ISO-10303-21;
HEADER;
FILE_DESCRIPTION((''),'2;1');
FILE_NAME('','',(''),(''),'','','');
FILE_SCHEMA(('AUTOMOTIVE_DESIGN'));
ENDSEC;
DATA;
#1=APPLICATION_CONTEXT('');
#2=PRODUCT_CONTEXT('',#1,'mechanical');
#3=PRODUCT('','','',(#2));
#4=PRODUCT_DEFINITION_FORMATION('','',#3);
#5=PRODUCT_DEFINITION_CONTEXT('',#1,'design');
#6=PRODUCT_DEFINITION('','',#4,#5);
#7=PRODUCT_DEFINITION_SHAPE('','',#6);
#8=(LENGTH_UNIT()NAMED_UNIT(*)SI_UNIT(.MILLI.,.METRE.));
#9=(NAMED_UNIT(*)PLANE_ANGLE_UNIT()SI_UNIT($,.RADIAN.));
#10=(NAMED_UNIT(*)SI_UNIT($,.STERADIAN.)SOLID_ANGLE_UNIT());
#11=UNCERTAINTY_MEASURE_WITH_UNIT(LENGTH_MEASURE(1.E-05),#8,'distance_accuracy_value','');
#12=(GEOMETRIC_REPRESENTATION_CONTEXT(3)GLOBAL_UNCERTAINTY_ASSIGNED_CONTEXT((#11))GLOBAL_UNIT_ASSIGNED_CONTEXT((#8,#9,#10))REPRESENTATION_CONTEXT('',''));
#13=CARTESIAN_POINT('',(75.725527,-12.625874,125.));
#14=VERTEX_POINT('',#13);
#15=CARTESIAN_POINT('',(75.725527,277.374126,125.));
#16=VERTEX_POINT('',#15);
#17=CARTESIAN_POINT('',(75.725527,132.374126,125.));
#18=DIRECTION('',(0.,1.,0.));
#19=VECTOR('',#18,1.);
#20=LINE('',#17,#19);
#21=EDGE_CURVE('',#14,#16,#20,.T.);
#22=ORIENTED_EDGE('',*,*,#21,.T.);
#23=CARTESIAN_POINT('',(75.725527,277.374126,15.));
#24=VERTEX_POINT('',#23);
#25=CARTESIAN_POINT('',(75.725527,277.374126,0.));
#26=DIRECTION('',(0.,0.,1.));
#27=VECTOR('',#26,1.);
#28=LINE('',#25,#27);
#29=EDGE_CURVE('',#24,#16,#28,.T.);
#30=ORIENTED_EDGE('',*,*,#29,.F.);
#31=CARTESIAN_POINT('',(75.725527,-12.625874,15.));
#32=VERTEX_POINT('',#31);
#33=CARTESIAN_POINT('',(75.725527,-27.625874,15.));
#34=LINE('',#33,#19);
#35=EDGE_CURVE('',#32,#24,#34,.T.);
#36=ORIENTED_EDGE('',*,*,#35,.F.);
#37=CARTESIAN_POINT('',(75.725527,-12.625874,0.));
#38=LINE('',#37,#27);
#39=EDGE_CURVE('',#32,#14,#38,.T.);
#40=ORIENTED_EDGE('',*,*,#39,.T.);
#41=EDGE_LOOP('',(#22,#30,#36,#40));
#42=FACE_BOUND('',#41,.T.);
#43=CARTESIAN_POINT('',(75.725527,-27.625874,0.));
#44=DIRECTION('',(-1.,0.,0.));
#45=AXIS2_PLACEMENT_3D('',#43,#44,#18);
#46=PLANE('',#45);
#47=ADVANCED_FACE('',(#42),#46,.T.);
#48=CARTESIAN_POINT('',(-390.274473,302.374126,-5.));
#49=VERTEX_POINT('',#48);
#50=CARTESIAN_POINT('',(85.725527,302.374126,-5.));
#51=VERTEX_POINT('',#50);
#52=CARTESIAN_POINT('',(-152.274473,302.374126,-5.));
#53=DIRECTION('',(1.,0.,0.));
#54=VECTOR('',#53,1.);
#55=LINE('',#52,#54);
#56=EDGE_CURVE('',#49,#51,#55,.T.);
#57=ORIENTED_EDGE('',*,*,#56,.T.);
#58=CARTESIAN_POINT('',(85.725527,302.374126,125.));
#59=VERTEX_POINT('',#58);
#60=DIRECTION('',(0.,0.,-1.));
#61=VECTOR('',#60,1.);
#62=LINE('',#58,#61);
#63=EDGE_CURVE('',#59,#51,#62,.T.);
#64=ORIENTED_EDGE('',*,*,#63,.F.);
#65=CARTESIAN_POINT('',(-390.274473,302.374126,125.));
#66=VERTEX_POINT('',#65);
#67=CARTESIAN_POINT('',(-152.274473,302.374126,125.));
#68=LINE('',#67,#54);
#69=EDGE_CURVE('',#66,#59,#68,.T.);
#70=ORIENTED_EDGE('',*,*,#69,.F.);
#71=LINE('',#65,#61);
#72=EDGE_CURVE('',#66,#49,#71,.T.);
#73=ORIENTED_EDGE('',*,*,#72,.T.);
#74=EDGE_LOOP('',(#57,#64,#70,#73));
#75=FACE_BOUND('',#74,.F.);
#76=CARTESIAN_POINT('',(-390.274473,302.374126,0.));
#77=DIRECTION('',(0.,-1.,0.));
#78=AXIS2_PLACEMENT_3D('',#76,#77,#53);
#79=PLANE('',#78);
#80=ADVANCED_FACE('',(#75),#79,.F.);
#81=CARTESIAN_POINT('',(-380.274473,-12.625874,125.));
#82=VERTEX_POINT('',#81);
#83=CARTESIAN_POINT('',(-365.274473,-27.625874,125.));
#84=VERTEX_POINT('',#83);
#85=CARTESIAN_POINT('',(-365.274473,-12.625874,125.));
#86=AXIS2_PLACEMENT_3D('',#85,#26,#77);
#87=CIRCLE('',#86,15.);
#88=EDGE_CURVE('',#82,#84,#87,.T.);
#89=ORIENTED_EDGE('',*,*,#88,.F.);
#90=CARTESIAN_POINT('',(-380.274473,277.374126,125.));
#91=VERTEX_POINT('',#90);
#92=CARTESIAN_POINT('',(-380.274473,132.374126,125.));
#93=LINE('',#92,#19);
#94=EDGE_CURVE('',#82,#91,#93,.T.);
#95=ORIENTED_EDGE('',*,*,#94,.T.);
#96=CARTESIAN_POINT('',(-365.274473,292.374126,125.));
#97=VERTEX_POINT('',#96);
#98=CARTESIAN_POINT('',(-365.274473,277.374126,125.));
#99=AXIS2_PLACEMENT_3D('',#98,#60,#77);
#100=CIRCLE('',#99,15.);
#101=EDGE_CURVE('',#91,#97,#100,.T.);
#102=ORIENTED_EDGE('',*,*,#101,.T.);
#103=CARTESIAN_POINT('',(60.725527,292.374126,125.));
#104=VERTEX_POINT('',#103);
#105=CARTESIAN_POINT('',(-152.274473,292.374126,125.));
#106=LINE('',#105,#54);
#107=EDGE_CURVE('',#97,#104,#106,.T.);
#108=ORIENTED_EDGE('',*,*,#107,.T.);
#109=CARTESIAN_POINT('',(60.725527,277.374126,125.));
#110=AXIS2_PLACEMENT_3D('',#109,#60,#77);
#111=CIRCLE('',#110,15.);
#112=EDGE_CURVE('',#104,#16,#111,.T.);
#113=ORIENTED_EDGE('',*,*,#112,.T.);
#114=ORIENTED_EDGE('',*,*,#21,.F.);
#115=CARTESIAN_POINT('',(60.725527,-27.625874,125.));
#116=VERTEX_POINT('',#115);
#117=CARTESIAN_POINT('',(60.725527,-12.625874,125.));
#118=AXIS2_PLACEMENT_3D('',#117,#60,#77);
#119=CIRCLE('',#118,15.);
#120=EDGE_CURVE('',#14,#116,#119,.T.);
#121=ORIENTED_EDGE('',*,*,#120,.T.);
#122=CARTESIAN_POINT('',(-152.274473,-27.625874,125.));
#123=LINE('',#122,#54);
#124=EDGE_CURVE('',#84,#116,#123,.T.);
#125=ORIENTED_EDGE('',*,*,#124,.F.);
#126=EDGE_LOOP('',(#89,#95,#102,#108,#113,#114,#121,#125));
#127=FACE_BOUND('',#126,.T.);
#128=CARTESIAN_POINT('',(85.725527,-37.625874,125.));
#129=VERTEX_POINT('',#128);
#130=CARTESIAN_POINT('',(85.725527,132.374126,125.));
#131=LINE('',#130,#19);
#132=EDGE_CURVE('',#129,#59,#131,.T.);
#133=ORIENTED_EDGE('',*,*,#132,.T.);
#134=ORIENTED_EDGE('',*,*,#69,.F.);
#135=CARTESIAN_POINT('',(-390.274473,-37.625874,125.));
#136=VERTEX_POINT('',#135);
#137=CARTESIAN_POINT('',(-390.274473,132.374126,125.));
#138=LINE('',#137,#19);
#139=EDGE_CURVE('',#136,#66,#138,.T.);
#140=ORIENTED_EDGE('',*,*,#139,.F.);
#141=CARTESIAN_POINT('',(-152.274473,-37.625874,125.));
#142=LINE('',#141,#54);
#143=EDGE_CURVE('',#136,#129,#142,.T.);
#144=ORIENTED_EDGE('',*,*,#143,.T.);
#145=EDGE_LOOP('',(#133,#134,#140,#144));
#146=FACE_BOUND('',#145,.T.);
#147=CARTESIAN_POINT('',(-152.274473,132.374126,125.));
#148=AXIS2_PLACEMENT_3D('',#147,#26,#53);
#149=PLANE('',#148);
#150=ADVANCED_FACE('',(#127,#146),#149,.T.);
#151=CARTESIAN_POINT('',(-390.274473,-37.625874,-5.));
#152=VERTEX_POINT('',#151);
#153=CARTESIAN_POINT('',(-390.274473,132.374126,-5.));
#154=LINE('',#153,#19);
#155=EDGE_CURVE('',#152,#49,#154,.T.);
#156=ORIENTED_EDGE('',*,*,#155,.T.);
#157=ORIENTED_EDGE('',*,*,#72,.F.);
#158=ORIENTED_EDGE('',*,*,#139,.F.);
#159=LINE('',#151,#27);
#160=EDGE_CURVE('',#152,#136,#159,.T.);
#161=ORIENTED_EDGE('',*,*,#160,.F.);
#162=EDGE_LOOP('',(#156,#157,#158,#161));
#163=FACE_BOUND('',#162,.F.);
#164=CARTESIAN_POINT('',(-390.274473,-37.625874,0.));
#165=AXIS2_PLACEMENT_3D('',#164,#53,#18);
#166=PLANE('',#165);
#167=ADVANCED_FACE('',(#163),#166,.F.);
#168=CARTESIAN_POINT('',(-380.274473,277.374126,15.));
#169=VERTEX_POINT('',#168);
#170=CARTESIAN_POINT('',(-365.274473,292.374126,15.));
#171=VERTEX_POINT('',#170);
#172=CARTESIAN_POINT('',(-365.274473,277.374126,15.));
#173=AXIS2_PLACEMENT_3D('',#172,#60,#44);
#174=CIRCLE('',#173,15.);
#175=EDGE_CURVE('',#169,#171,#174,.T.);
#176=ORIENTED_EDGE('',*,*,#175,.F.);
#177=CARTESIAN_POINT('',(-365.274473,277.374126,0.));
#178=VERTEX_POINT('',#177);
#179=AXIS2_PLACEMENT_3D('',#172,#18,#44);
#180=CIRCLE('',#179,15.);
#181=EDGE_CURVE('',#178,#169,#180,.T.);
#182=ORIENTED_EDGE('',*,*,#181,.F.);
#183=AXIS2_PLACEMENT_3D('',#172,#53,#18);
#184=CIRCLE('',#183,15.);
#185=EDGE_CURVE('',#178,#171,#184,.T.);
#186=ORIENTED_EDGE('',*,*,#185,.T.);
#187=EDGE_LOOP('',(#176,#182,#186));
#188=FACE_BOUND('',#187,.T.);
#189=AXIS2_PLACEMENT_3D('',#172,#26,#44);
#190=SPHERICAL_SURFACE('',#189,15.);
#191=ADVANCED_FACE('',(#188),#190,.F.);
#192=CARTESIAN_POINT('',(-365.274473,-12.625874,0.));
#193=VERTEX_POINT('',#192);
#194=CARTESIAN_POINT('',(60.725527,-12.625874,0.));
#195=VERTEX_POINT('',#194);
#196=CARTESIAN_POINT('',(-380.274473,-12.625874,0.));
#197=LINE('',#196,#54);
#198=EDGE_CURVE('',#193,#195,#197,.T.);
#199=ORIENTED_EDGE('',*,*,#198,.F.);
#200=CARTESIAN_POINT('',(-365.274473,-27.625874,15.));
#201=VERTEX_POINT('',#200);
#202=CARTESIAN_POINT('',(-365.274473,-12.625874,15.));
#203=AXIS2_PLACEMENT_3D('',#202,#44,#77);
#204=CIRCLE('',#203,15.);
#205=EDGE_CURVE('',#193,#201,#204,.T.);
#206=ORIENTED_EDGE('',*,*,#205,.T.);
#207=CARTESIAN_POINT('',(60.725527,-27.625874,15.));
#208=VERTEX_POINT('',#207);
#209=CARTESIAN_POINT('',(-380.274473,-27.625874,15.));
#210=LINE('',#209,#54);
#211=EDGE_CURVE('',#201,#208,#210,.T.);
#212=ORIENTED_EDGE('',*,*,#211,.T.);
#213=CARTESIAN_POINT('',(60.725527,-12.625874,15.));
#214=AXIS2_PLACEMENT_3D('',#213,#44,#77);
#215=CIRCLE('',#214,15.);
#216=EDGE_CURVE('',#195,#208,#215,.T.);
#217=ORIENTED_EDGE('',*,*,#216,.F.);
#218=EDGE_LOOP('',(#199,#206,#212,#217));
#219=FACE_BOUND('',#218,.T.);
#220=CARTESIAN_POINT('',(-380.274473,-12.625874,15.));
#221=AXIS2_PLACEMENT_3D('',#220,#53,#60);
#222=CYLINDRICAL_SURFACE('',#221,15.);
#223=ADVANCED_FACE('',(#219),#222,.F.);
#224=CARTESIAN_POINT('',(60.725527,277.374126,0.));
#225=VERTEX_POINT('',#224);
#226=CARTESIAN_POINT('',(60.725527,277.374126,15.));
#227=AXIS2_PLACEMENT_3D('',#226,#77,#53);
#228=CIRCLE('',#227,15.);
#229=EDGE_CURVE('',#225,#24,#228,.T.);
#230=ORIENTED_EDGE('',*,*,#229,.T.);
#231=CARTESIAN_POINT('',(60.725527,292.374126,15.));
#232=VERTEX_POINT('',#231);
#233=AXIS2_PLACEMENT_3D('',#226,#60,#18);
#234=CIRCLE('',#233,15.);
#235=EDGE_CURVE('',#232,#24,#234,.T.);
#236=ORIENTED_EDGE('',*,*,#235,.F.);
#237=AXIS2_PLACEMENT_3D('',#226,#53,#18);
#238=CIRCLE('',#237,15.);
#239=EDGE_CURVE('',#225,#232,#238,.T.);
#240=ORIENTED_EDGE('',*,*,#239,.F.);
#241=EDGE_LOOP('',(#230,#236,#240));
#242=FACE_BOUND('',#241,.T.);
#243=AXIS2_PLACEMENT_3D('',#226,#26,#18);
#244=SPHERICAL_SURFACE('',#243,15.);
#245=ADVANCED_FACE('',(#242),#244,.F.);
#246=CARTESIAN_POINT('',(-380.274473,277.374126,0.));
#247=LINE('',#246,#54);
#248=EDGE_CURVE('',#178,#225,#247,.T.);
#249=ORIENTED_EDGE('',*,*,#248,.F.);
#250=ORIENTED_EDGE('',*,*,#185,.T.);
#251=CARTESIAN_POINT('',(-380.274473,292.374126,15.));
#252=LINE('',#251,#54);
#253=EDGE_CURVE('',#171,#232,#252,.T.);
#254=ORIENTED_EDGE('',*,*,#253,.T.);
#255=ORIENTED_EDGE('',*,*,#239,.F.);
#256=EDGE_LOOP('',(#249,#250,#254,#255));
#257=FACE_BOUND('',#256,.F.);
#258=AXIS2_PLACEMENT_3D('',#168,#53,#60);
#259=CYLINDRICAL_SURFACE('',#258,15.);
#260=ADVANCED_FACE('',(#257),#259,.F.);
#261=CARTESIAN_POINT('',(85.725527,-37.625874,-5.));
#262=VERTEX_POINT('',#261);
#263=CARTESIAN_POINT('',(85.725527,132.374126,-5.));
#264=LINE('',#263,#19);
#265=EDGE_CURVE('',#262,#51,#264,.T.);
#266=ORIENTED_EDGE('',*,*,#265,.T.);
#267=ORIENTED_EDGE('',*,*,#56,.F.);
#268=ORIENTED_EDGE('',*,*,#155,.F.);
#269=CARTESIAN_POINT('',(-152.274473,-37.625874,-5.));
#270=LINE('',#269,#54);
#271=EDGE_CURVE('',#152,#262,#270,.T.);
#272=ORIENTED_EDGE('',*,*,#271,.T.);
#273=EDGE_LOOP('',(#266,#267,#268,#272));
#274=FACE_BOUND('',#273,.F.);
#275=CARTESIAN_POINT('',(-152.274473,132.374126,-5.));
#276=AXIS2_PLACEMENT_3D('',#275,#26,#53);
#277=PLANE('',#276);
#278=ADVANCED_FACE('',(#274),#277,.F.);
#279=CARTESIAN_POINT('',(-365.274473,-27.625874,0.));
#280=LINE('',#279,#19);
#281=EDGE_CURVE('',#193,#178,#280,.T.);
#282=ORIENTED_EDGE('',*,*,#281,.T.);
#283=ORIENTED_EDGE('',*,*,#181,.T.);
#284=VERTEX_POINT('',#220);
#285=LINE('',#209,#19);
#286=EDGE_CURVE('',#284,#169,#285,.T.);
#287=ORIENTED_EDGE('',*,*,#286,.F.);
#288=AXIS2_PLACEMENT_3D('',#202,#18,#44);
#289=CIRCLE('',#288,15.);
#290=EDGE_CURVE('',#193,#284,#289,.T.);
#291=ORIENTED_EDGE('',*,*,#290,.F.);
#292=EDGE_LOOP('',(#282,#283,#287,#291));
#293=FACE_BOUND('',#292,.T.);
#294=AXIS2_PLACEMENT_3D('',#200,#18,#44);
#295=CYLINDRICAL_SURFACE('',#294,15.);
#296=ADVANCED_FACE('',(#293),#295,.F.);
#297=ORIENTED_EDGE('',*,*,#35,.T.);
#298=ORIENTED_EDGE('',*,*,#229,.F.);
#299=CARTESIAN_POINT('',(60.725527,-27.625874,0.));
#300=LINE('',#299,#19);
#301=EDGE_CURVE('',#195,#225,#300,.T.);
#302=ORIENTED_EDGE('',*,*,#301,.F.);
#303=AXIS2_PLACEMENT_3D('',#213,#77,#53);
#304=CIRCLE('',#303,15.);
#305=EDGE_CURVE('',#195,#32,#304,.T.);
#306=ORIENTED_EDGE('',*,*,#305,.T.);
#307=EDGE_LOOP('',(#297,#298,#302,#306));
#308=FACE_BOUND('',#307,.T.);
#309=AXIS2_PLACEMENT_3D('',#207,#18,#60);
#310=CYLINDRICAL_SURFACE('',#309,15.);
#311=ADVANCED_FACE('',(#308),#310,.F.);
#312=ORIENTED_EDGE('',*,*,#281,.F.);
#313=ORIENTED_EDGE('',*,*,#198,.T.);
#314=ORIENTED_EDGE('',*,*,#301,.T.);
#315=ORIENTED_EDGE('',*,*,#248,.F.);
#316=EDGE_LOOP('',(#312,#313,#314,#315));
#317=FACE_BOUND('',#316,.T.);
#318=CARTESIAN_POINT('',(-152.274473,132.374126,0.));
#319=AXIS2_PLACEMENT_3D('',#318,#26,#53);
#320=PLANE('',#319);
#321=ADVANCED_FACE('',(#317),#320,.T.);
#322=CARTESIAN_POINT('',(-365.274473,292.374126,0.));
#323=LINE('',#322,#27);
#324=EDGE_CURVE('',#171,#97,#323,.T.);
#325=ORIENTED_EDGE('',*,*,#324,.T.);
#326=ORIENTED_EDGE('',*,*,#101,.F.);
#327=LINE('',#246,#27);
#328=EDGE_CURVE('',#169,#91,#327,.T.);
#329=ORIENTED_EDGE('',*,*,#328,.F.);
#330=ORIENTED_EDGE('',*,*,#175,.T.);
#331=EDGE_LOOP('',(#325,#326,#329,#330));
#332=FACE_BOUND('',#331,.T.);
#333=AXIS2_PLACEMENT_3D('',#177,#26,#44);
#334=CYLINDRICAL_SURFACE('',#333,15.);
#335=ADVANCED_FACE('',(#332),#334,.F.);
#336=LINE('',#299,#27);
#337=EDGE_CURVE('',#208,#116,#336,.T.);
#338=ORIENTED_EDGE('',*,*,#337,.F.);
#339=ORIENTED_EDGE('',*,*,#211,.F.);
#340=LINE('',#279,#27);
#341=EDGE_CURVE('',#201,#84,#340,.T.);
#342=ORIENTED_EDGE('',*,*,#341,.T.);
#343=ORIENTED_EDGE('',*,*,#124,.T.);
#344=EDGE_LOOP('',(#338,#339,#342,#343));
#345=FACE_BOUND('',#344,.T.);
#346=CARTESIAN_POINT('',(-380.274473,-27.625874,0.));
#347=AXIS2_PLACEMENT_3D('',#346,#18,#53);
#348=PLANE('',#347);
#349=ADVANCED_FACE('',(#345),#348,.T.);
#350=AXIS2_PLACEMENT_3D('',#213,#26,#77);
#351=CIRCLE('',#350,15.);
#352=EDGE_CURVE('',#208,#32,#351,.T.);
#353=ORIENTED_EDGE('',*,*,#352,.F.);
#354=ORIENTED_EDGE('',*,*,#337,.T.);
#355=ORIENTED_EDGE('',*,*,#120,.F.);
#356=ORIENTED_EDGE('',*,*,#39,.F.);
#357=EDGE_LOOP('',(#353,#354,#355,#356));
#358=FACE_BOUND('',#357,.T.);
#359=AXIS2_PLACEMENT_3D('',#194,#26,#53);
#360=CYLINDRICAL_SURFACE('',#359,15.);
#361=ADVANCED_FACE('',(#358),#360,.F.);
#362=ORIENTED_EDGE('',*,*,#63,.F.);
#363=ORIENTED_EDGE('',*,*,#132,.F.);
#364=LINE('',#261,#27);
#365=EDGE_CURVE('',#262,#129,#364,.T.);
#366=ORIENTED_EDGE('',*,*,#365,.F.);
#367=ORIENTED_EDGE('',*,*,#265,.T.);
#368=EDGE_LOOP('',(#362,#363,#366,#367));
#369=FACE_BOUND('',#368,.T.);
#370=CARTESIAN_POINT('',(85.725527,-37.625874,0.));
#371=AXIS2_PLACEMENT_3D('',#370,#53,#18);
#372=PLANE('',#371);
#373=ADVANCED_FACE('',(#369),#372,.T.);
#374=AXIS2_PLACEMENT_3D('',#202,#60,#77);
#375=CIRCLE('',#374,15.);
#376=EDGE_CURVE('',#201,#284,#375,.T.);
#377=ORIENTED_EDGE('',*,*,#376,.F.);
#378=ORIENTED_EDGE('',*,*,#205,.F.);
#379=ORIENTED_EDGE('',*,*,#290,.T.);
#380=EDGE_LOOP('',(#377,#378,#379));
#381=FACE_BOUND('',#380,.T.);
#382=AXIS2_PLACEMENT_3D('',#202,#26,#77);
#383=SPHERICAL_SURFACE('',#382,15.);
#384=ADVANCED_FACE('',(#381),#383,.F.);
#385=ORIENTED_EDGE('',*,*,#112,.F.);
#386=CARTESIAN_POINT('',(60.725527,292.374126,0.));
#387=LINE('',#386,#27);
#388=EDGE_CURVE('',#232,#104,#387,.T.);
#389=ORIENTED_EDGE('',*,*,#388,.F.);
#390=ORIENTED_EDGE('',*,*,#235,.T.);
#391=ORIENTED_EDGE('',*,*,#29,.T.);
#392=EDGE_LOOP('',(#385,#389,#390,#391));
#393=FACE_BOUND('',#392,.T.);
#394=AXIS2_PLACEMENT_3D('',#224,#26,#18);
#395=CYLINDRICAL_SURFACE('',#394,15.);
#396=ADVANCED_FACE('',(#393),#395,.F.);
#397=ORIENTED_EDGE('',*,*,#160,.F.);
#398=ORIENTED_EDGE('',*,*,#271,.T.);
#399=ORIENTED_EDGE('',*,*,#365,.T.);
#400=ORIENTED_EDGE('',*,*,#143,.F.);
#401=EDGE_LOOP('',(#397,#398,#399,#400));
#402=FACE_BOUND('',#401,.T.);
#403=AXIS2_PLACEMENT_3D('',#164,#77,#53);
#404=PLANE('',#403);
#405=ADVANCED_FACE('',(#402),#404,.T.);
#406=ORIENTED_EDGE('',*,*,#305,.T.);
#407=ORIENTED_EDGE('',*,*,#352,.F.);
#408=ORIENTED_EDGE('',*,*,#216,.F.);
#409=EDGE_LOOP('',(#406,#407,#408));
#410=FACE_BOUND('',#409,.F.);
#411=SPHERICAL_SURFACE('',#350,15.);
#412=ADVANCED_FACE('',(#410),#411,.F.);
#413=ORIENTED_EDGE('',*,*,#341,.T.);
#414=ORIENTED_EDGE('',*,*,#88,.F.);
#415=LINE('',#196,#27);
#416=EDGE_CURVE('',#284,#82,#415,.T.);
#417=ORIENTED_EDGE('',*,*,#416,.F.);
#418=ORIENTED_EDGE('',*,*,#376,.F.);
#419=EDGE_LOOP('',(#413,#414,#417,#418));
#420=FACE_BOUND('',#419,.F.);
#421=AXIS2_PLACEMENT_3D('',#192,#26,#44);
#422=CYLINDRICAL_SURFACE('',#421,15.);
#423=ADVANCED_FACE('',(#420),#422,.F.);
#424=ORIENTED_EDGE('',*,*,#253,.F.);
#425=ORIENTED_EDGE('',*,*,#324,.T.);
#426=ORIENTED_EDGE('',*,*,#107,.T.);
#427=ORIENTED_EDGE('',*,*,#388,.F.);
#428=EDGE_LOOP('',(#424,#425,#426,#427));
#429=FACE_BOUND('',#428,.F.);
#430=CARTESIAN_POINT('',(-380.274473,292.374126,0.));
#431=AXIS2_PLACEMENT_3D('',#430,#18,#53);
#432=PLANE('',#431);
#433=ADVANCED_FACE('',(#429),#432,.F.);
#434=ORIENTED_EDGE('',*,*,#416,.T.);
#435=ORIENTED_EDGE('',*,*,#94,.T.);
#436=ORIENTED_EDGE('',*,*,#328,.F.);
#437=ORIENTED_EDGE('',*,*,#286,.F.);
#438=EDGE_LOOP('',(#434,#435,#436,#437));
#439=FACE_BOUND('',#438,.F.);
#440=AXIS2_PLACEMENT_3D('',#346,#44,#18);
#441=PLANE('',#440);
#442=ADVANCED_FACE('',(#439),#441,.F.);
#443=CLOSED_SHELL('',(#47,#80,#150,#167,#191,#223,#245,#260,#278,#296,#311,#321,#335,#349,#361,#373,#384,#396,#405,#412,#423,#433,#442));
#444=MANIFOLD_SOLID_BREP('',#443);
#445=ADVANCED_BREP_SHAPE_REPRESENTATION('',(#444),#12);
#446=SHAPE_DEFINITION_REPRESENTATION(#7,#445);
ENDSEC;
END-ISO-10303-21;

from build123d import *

# Parameters (mm, degrees)
F0_W     = 476
F0_H     = 340
F0_W_2   = 456
F0_H_2   = 320
F1_DEPTH = 125
F2_DEPTH = 5
F3_R     = 15


with BuildPart() as f1:
    # F0 (on Top) → F1 (new body)
    with BuildSketch(Plane.XY):
        with Locations((-152.2744732499, 132.3741256595)):
            Rectangle(F0_W, F0_H)
        with Locations((-152.2744732499, 132.3741256595)):
            Rectangle(F0_W_2, F0_H_2, mode=Mode.SUBTRACT)
    extrude(amount=F1_DEPTH)

    # F0 (on Top) → F2 (join)
    with BuildSketch(Plane.XY):
        with Locations((-152.2744732499, 132.3741256595)):
            Rectangle(F0_W, F0_H)
        with Locations((-152.2744732499, 132.3741256595)):
            Rectangle(F0_W_2, F0_H_2, mode=Mode.SUBTRACT)
        with Locations((-152.2744732499, 132.3741256595)):
            Rectangle(F0_W_2, F0_H_2)
    extrude(amount=-F2_DEPTH)

    # F3
    f3_edges = [f1.edges().sort_by_distance(p)[0] for p in [
        (75.725527, 292.374126, 62.5),
        (-380.274473, 292.374126, 62.5),
        (75.725527, -27.625874, 62.5),
        (-380.274473, -27.625874, 62.5),
        (-152.274473, -27.625874, 0),
        (-380.274473, 132.374126, 0),
        (-152.274473, 292.374126, 0),
        (75.725527, 132.374126, 0),
    ]]
    fillet(f3_edges, radius=F3_R)


solid = f1.part
